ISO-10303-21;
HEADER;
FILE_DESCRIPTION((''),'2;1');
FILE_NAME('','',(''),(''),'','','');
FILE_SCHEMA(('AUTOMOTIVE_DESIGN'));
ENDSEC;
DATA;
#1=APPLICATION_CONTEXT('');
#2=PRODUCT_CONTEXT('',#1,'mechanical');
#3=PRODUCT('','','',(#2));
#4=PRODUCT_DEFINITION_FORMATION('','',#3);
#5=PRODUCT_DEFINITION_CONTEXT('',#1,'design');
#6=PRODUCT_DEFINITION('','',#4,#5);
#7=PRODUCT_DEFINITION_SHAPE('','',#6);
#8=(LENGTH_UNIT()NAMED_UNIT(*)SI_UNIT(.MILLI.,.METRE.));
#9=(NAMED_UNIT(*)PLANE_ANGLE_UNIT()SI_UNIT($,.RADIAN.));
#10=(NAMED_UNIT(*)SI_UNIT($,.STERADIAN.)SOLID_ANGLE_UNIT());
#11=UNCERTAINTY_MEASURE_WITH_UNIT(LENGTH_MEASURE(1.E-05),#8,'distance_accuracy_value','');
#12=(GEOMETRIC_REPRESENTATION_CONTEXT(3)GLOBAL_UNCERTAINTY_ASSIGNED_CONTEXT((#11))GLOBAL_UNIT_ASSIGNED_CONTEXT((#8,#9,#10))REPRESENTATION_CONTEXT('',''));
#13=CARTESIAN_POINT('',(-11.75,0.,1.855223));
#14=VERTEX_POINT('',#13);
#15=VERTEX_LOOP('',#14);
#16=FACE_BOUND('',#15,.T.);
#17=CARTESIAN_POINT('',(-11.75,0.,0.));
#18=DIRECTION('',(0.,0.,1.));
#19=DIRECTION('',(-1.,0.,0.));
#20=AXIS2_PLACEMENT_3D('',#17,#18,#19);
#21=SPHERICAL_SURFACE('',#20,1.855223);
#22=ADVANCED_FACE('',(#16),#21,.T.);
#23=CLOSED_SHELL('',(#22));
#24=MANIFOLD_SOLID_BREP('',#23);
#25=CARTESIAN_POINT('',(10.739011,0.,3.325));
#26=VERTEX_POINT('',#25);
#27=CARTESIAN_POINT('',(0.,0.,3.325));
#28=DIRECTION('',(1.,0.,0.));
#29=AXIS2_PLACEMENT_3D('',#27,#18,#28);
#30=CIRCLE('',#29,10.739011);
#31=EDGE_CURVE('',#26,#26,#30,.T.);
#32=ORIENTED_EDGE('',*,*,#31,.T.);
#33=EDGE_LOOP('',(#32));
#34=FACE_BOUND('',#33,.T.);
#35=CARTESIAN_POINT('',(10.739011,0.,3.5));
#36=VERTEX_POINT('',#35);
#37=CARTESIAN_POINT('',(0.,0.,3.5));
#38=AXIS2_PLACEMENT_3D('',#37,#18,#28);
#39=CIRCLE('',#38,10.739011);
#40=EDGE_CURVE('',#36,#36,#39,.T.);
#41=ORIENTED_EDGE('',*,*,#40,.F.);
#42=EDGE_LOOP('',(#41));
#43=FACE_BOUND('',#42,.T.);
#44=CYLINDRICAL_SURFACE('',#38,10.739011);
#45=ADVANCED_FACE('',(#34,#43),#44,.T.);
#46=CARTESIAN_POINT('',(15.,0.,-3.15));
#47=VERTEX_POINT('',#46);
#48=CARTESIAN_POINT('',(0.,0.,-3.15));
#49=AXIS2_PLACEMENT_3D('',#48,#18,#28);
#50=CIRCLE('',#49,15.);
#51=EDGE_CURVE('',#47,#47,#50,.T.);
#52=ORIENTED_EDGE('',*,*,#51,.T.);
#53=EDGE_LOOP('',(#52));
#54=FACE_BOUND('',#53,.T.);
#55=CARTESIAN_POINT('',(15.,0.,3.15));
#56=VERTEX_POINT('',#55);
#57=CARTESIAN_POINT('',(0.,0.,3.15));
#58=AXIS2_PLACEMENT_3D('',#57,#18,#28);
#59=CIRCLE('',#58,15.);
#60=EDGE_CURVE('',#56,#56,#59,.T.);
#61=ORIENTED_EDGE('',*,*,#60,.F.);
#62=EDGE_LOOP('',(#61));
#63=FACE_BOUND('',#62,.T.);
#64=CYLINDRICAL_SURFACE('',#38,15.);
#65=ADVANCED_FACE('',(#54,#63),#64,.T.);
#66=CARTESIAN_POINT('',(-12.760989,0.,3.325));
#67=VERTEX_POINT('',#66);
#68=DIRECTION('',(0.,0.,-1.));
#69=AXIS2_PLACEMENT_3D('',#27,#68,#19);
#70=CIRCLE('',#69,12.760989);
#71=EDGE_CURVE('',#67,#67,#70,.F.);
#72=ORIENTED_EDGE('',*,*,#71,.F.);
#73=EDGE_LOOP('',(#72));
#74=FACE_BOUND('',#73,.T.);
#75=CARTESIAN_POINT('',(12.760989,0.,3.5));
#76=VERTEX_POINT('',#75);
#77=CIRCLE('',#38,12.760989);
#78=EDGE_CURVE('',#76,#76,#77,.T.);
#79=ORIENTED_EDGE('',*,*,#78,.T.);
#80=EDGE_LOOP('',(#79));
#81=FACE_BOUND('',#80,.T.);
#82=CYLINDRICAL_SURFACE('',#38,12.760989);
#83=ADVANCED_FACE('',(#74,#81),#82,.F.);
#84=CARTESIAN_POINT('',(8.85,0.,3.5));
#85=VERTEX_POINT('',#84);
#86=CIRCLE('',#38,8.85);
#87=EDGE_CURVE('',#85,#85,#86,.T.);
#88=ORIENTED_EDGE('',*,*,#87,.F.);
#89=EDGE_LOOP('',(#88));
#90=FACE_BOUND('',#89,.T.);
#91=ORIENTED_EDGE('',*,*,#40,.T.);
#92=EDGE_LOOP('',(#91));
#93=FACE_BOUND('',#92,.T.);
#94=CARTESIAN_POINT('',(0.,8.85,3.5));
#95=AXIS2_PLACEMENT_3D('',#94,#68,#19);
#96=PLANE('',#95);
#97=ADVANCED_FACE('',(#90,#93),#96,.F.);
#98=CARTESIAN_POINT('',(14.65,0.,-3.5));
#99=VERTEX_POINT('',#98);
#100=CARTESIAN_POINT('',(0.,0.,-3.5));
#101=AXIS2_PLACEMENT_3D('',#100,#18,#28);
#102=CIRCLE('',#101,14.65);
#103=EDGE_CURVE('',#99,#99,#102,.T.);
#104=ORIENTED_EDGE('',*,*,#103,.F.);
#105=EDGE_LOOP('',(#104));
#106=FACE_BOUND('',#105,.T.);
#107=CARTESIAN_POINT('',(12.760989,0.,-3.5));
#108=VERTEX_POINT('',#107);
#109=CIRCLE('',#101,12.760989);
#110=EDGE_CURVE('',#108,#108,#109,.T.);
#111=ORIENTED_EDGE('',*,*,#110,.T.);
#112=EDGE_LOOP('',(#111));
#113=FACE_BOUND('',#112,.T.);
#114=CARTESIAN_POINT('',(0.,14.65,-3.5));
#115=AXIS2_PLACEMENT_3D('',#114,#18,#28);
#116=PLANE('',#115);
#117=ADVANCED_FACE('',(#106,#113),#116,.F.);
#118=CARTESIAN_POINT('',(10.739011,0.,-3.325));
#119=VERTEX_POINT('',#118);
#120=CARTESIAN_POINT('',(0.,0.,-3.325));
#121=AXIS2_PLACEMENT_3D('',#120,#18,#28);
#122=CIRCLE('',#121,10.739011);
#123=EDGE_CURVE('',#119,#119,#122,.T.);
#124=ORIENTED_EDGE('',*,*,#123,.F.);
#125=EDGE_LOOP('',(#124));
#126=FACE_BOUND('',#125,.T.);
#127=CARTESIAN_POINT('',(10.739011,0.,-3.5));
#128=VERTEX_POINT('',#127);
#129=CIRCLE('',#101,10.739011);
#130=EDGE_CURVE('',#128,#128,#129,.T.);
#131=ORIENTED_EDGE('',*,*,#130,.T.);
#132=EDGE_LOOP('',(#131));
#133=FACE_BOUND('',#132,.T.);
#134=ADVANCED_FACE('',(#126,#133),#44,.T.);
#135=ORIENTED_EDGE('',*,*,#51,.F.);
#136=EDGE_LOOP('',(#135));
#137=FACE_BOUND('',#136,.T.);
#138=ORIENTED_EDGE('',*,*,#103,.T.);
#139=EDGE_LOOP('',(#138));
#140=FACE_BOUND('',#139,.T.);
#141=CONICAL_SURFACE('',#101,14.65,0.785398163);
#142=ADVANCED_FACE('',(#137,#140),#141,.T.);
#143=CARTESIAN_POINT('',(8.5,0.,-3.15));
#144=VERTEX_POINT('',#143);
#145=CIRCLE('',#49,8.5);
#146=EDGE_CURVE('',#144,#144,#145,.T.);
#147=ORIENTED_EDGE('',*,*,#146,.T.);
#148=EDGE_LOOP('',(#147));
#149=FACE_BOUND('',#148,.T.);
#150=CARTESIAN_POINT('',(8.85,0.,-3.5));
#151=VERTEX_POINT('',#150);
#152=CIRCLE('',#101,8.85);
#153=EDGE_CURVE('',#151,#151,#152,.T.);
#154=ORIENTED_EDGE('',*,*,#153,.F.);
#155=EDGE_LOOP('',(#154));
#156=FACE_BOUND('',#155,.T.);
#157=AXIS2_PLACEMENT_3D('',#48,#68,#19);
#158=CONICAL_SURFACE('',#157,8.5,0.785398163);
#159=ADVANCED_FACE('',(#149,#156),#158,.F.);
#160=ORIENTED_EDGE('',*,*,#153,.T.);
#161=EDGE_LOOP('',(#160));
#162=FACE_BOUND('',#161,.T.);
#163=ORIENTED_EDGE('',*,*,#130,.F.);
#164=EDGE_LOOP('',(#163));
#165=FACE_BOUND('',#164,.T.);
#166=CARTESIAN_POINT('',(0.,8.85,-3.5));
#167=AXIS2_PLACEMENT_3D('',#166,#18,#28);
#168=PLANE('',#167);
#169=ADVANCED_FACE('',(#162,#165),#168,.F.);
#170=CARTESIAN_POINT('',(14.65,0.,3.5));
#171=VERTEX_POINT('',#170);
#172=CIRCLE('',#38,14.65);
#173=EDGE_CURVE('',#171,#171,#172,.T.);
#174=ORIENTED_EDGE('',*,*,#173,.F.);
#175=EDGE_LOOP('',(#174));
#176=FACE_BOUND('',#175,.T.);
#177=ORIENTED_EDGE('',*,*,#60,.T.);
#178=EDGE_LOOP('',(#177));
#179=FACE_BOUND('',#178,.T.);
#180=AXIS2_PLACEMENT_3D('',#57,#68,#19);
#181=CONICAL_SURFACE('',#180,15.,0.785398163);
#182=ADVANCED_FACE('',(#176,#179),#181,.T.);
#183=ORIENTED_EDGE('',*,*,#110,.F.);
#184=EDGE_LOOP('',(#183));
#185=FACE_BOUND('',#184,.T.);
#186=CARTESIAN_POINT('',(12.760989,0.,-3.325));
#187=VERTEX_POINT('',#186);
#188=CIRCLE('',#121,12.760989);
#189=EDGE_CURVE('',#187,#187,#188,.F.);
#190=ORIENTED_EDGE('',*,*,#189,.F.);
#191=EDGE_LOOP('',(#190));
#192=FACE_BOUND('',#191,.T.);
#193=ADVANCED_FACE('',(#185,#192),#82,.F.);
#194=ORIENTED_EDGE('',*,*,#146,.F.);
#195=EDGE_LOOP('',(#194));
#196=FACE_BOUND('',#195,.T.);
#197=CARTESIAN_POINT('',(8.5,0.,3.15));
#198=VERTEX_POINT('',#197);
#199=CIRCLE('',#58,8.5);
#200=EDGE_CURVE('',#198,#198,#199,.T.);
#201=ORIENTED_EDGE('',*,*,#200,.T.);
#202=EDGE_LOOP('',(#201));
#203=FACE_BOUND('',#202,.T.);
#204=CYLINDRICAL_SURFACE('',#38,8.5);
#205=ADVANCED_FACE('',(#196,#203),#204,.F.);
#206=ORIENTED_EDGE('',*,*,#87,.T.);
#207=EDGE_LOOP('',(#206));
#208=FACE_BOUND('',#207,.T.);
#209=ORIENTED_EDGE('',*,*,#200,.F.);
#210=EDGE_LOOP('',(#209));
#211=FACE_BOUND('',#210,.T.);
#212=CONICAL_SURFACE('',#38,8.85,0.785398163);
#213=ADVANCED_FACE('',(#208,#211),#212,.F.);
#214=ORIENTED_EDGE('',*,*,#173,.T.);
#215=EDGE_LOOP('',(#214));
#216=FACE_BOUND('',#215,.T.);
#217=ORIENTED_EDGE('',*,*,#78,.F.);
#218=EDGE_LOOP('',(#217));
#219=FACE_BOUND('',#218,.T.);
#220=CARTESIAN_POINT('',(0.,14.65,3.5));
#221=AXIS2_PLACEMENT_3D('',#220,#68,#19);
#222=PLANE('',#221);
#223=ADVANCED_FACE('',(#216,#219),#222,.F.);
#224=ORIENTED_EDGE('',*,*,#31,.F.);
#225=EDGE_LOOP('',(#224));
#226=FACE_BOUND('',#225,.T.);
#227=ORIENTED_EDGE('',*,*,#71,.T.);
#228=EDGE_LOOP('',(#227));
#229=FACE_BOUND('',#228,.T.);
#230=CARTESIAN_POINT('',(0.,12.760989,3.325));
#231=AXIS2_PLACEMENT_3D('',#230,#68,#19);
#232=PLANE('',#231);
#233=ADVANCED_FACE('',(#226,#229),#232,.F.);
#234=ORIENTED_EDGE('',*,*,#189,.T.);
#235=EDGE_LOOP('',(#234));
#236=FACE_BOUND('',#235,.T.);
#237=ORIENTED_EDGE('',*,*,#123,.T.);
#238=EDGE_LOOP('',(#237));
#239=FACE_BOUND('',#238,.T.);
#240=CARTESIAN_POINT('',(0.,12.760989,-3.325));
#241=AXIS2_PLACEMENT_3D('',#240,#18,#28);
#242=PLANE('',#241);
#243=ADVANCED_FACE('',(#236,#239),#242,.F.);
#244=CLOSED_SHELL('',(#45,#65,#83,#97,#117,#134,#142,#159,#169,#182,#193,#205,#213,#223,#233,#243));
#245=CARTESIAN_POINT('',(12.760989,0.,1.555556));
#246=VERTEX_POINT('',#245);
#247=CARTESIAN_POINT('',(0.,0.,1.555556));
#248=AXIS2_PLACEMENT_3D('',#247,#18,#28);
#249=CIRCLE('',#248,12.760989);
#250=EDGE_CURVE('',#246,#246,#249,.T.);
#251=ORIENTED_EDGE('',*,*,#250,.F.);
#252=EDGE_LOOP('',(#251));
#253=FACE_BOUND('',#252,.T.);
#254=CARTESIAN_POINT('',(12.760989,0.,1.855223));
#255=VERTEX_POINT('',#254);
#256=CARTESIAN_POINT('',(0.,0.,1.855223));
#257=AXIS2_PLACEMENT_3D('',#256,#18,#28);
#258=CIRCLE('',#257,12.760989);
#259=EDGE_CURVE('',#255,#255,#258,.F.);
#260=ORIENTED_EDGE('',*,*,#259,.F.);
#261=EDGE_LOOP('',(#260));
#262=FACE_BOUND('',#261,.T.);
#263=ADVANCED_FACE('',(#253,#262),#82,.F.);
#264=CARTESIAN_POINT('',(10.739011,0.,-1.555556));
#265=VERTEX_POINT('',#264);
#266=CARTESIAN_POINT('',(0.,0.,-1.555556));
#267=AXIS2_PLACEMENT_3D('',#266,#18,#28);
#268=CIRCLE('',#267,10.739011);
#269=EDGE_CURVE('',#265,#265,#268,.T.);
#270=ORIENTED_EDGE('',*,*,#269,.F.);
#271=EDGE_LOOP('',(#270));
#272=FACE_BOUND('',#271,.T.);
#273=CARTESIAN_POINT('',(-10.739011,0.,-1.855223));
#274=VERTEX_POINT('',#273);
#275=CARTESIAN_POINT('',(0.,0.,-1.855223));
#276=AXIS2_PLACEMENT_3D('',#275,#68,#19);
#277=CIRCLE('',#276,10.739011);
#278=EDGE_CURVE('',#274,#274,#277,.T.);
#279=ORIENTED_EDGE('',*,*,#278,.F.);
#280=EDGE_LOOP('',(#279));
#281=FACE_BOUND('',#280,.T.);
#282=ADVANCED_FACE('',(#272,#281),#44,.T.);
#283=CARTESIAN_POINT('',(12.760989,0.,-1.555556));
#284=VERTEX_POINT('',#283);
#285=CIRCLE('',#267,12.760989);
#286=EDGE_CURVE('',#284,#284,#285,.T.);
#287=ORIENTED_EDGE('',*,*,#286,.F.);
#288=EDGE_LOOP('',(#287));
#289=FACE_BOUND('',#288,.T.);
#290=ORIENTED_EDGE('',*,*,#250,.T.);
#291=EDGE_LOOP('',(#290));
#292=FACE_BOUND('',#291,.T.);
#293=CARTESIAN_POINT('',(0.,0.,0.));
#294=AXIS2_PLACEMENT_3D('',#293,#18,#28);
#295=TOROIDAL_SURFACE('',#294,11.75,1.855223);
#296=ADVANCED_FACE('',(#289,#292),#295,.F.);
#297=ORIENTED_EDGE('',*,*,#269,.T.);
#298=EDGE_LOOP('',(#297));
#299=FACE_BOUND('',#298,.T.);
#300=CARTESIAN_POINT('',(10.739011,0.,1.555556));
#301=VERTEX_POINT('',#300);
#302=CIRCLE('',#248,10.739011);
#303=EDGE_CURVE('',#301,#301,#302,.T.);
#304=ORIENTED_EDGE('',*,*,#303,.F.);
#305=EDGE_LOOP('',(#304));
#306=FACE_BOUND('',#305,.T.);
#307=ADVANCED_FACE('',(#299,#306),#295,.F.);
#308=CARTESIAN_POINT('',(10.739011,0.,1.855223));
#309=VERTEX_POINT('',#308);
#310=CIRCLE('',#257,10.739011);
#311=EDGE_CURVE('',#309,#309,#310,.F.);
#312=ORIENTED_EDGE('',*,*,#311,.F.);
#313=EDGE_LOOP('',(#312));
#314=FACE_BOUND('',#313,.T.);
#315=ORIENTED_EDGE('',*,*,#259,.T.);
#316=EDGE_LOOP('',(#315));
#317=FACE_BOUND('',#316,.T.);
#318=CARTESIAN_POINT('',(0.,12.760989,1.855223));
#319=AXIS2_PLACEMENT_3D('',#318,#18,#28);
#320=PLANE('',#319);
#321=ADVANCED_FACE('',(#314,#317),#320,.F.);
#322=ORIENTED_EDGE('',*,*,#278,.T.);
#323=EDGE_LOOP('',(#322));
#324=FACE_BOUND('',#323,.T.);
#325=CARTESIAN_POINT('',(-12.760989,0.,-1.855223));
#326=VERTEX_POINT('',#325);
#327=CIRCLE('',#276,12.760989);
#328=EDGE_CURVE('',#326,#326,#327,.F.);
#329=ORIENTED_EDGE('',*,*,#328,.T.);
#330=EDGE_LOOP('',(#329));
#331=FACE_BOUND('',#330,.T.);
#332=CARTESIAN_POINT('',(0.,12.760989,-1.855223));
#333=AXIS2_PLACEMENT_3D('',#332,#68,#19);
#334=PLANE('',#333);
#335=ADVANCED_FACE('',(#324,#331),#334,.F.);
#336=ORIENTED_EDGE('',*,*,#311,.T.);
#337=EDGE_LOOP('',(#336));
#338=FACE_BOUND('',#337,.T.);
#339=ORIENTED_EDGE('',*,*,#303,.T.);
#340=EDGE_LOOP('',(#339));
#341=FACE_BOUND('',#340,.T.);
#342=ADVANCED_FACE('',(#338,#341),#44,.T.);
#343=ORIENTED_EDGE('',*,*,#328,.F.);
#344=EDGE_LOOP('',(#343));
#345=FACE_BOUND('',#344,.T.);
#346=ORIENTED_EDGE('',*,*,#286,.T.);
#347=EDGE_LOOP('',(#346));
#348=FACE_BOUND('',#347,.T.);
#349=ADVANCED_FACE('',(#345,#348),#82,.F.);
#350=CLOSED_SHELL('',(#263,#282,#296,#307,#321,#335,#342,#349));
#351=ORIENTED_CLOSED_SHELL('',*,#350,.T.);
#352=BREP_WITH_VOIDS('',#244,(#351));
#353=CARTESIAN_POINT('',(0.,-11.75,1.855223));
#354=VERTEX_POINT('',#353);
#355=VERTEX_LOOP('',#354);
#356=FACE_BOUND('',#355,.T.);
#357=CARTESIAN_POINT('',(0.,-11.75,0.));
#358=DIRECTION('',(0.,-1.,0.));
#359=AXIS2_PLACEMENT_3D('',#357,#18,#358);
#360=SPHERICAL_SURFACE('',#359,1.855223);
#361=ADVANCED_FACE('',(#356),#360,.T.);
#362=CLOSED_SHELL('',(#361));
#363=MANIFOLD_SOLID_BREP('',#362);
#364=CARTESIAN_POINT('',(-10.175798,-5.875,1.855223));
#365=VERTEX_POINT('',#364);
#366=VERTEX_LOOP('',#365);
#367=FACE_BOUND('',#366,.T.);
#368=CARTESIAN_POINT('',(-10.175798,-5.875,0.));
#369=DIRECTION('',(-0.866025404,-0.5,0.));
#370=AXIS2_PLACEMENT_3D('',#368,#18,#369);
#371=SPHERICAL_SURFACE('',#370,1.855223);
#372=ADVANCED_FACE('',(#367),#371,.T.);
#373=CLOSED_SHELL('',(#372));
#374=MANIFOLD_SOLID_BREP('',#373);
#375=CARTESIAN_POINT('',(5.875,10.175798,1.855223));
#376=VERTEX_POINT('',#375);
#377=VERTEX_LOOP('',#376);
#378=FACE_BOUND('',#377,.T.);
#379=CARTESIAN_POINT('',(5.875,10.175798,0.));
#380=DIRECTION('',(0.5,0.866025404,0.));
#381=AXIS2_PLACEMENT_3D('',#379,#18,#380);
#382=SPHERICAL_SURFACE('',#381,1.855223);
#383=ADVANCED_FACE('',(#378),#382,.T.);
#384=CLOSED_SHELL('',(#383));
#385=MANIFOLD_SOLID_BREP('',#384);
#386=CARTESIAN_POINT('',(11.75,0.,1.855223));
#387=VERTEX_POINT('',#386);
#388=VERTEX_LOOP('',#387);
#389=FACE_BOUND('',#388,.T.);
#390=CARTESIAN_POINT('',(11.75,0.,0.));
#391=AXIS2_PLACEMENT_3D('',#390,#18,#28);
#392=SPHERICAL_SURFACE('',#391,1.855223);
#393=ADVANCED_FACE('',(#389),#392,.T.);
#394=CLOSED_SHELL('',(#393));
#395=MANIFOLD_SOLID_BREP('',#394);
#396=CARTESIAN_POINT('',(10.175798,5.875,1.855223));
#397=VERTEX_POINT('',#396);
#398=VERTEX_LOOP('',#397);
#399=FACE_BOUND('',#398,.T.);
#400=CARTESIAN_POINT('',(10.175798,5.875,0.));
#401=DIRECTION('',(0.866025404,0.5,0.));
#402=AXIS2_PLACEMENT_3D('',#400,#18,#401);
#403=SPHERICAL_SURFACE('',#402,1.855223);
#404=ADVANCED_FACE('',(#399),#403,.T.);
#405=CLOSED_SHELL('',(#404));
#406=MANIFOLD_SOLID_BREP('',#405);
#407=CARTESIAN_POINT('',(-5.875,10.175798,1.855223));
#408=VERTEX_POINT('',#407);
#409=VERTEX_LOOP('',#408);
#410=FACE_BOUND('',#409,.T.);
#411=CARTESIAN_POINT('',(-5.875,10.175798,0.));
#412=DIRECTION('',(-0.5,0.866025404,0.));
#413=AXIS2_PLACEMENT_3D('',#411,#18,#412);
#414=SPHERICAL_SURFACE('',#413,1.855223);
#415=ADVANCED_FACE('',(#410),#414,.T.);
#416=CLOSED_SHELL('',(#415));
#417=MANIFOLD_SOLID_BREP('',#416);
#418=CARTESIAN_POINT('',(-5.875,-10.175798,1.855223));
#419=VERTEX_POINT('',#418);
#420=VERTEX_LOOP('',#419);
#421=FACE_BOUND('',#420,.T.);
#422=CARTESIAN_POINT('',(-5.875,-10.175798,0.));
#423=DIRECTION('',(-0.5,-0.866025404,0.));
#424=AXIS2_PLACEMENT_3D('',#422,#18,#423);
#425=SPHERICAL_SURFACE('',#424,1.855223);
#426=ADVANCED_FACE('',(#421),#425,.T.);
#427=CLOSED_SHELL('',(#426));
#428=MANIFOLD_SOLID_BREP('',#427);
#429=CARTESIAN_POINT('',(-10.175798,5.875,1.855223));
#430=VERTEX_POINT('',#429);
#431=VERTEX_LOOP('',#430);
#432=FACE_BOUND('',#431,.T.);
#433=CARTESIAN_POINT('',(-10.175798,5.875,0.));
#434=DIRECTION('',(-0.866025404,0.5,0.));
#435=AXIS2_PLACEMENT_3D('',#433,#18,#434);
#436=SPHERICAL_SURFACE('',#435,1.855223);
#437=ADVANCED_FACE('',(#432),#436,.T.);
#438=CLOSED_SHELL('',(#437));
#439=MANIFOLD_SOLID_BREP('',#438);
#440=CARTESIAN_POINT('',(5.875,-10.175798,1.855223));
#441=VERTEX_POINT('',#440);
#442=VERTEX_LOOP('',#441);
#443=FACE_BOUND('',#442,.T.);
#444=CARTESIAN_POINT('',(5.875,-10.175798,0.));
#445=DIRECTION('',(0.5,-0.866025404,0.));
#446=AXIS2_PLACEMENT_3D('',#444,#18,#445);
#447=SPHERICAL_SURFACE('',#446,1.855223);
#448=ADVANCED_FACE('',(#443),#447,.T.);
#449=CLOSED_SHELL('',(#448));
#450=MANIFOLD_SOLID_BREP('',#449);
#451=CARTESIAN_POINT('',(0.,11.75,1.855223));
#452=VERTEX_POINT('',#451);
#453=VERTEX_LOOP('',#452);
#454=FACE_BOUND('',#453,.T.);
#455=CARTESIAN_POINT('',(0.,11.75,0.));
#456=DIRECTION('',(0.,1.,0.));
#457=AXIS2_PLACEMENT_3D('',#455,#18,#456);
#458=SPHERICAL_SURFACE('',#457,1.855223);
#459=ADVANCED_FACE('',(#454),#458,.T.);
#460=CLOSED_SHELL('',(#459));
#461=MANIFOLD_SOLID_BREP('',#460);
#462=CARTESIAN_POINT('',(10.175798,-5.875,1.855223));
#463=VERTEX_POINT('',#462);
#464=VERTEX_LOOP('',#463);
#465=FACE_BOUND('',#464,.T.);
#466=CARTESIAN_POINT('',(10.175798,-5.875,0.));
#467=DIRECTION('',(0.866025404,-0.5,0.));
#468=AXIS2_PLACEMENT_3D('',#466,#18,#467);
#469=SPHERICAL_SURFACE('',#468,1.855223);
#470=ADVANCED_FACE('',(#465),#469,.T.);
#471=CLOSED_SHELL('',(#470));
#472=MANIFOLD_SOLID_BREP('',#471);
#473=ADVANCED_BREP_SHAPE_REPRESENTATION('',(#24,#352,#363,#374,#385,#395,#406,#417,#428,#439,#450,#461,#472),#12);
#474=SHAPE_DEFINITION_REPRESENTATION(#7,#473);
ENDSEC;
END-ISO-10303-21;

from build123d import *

# Parameters (mm, degrees)
CIRPATTERN1_COUNT = 12


with BuildPart() as part:
    # Sketch6 → Revolve1 (revolve)
    with BuildSketch(Plane(origin=(0, 0, 0), x_dir=(0, 0, -1), z_dir=(1, 0, 0))):
        with BuildLine():
            Line((-3.4999999999999996, 14.649999999999997), (-3.4999999999999996, 12.760989010989016))
            Line((-3.4999999999999996, 12.760989010989016), (-1.5555555555555556, 12.760989010989016))
            ThreePointArc((-1.5555555555555556, 12.760989010989016), (1.1e-16, 13.605222861750121), (1.5555555555555556, 12.760989010989016))
            Line((1.5555555555555556, 12.760989010989016), (3.4999999999999996, 12.760989010989016))
            Line((3.4999999999999996, 12.760989010989016), (3.4999999999999996, 14.649999999999997))
            Line((3.4999999999999996, 14.649999999999997), (3.1499999999999972, 15))
            Line((3.1499999999999972, 15), (-3.1499999999999972, 15))
            Line((-3.1499999999999972, 15), (-3.4999999999999996, 14.649999999999997))
        make_face()
        with BuildLine():
            Line((-3.4999999999999996, 8.85000000000001), (-3.4999999999999996, 10.73901098901099))
            Line((-3.4999999999999996, 10.73901098901099), (-1.555555555555556, 10.73901098901099))
            ThreePointArc((-1.555555555555556, 10.73901098901099), (1.1e-16, 9.894777138249886), (1.5555555555555556, 10.73901098901099))
            Line((1.5555555555555556, 10.73901098901099), (3.4999999999999996, 10.73901098901099))
            Line((3.4999999999999996, 10.73901098901099), (3.4999999999999996, 8.85000000000001))
            Line((3.4999999999999996, 8.85000000000001), (3.149999999999999, 8.500000000000007))
            Line((3.149999999999999, 8.500000000000007), (-3.149999999999999, 8.500000000000007))
            Line((-3.149999999999999, 8.500000000000007), (-3.4999999999999996, 8.85000000000001))
        make_face()
    revolve(axis=Axis((0, 0, 3.4999999999999996), (0, 0, -1)))



with BuildPart() as body_2:
    # Sketch4 → Revolve2 (revolve)
    with BuildSketch(Plane(origin=(0, 0, 0), x_dir=(0, 0, -1), z_dir=(1, 0, 0))):
        with BuildLine():
            Line((-1.8552228617501176, 11.750000000000004), (1.8552228617501176, 11.750000000000004))
            ThreePointArc((1.8552228617501176, 11.750000000000004), (1.1e-16, 13.605222861750121), (-1.8552228617501176, 11.750000000000004))
        make_face()
    revolve(axis=Axis((0, 11.750000000000004, 1.8552228617501176), (0, 0, -1)))


with BuildPart() as cirpattern1_1:
    # CirPattern1: pattern copy
    add(body_2.part.rotate(Axis((0, 0, -3.4999999999999996), (0, 0, 1)), 1 * 360 / CIRPATTERN1_COUNT))


with BuildPart() as cirpattern1_2:
    # CirPattern1: pattern copy
    add(body_2.part.rotate(Axis((0, 0, -3.4999999999999996), (0, 0, 1)), 2 * 360 / CIRPATTERN1_COUNT))


with BuildPart() as cirpattern1_3:
    # CirPattern1: pattern copy
    add(body_2.part.rotate(Axis((0, 0, -3.4999999999999996), (0, 0, 1)), 3 * 360 / CIRPATTERN1_COUNT))


with BuildPart() as cirpattern1_4:
    # CirPattern1: pattern copy
    add(body_2.part.rotate(Axis((0, 0, -3.4999999999999996), (0, 0, 1)), 4 * 360 / CIRPATTERN1_COUNT))


with BuildPart() as cirpattern1_5:
    # CirPattern1: pattern copy
    add(body_2.part.rotate(Axis((0, 0, -3.4999999999999996), (0, 0, 1)), 5 * 360 / CIRPATTERN1_COUNT))


with BuildPart() as cirpattern1_6:
    # CirPattern1: pattern copy
    add(body_2.part.rotate(Axis((0, 0, -3.4999999999999996), (0, 0, 1)), 6 * 360 / CIRPATTERN1_COUNT))


with BuildPart() as cirpattern1_7:
    # CirPattern1: pattern copy
    add(body_2.part.rotate(Axis((0, 0, -3.4999999999999996), (0, 0, 1)), 7 * 360 / CIRPATTERN1_COUNT))


with BuildPart() as cirpattern1_8:
    # CirPattern1: pattern copy
    add(body_2.part.rotate(Axis((0, 0, -3.4999999999999996), (0, 0, 1)), 8 * 360 / CIRPATTERN1_COUNT))


with BuildPart() as cirpattern1_9:
    # CirPattern1: pattern copy
    add(body_2.part.rotate(Axis((0, 0, -3.4999999999999996), (0, 0, 1)), 9 * 360 / CIRPATTERN1_COUNT))


with BuildPart() as cirpattern1_10:
    # CirPattern1: pattern copy
    add(body_2.part.rotate(Axis((0, 0, -3.4999999999999996), (0, 0, 1)), 10 * 360 / CIRPATTERN1_COUNT))


with BuildPart() as cirpattern1_11:
    # CirPattern1: pattern copy
    add(body_2.part.rotate(Axis((0, 0, -3.4999999999999996), (0, 0, 1)), 11 * 360 / CIRPATTERN1_COUNT))


with BuildPart() as part_1:
    add(part.part)

    add(body_2.part)  # Revolve3 merges body 2

    add(cirpattern1_1.part)  # Revolve3 merges CirPattern1_1

    add(cirpattern1_2.part)  # Revolve3 merges CirPattern1_2

    add(cirpattern1_3.part)  # Revolve3 merges CirPattern1_3

    add(cirpattern1_4.part)  # Revolve3 merges CirPattern1_4

    add(cirpattern1_5.part)  # Revolve3 merges CirPattern1_5

    add(cirpattern1_6.part)  # Revolve3 merges CirPattern1_6

    add(cirpattern1_7.part)  # Revolve3 merges CirPattern1_7

    add(cirpattern1_8.part)  # Revolve3 merges CirPattern1_8

    add(cirpattern1_9.part)  # Revolve3 merges CirPattern1_9

    add(cirpattern1_10.part)  # Revolve3 merges CirPattern1_10

    add(cirpattern1_11.part)  # Revolve3 merges CirPattern1_11
    # Sketch5 → Revolve3 (revolve)
    with BuildSketch(Plane(origin=(0, 0, 0), x_dir=(0, 0, -1), z_dir=(1, 0, 0))):
        Polygon((-3.325000000000007, 12.760989010989016), (-1.8552228617501176, 12.760989010989016), (-1.8552228617501167, 10.73901098901099), (-3.325000000000006, 10.73901098901099), align=None)
        Polygon((3.325000000000007, 12.760989010989016), (1.8552228617501176, 12.760989010989016), (1.8552228617501185, 10.73901098901099), (3.325000000000007, 10.73901098901099), align=None)
    revolve(axis=Axis((0, 0, 3.4999999999999996), (0, 0, -1)))


solid = part_1.part
